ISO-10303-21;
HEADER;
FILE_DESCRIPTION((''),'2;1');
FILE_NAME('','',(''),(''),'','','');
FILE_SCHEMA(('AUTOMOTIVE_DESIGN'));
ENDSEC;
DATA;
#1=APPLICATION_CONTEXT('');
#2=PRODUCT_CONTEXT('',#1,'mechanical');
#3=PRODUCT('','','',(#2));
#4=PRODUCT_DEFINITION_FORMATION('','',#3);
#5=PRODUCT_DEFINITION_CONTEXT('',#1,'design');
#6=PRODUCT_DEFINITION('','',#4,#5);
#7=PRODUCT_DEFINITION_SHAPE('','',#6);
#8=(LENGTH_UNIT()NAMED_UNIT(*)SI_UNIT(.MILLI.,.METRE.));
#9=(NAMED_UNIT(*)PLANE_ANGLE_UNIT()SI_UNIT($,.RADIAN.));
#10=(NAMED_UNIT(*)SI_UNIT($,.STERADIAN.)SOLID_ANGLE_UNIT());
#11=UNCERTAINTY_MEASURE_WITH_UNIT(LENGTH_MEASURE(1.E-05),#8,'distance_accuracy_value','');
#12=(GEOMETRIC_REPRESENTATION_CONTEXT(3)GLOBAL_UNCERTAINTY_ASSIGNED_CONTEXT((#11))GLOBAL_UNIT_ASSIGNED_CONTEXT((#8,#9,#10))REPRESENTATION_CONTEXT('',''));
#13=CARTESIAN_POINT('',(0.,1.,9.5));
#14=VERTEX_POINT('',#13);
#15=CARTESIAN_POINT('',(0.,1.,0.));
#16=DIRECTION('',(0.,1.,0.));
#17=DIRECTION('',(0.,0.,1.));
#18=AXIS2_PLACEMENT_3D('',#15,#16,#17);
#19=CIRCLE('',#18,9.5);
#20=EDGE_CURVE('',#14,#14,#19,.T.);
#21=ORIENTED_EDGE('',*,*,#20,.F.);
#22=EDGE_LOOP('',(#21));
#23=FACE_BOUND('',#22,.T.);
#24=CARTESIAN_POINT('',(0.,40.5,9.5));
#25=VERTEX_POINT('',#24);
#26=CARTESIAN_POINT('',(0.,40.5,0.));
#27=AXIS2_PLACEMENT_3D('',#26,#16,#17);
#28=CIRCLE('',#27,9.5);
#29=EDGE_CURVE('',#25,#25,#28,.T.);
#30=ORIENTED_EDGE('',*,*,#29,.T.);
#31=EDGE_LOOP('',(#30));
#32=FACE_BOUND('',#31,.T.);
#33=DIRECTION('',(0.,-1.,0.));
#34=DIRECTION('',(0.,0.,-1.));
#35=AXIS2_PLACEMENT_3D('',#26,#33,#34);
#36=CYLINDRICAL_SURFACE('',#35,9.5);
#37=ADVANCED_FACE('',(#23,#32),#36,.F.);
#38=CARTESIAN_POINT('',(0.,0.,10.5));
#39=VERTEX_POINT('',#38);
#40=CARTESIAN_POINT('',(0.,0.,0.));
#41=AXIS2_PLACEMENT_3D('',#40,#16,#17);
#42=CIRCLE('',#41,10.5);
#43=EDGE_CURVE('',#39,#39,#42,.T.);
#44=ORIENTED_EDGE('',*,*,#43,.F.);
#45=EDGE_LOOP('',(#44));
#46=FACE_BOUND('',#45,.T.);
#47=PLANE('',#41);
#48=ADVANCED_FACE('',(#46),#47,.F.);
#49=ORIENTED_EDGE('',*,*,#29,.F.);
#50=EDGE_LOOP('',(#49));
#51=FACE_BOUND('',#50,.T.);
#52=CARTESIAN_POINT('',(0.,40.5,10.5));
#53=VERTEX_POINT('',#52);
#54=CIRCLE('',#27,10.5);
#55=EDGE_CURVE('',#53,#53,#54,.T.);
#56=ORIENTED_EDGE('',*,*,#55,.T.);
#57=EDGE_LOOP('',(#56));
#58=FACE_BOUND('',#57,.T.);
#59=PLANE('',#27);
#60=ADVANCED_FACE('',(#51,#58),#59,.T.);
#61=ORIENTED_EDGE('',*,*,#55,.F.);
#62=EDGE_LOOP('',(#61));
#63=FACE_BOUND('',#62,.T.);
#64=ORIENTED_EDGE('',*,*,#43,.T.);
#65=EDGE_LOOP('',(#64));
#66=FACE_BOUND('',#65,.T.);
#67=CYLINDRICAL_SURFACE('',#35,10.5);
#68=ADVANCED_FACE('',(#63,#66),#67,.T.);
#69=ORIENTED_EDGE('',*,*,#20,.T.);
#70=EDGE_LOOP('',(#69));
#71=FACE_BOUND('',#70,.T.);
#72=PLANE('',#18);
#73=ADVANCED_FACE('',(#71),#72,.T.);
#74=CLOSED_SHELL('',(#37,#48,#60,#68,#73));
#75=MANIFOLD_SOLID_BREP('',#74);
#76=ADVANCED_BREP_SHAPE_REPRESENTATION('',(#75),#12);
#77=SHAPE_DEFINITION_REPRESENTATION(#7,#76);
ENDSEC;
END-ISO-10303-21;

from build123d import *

# Parameters (mm, degrees)
SKETCH1_R           = 10.5
BOSS_EXTRUDE1_DEPTH = 40.5
SHELL1_T            = -1


with BuildPart() as part:
    # Sketch1 → Boss-Extrude1 (new body)
    with BuildSketch(Plane(origin=(0, 0, 0), x_dir=(1, 0, 0), z_dir=(0, 1, 0))):
        with Locations(Location((0, 0, 0), (0, 0, 270))):
            Circle(SKETCH1_R)
    extrude(amount=BOSS_EXTRUDE1_DEPTH)

    # Shell1
    shell1_openings = [part.faces().sort_by_distance(p)[0] for p in [
        (0, 40.5, 0),
    ]]
    offset(amount=SHELL1_T, openings=shell1_openings, kind=Kind.INTERSECTION)


solid = part.part
